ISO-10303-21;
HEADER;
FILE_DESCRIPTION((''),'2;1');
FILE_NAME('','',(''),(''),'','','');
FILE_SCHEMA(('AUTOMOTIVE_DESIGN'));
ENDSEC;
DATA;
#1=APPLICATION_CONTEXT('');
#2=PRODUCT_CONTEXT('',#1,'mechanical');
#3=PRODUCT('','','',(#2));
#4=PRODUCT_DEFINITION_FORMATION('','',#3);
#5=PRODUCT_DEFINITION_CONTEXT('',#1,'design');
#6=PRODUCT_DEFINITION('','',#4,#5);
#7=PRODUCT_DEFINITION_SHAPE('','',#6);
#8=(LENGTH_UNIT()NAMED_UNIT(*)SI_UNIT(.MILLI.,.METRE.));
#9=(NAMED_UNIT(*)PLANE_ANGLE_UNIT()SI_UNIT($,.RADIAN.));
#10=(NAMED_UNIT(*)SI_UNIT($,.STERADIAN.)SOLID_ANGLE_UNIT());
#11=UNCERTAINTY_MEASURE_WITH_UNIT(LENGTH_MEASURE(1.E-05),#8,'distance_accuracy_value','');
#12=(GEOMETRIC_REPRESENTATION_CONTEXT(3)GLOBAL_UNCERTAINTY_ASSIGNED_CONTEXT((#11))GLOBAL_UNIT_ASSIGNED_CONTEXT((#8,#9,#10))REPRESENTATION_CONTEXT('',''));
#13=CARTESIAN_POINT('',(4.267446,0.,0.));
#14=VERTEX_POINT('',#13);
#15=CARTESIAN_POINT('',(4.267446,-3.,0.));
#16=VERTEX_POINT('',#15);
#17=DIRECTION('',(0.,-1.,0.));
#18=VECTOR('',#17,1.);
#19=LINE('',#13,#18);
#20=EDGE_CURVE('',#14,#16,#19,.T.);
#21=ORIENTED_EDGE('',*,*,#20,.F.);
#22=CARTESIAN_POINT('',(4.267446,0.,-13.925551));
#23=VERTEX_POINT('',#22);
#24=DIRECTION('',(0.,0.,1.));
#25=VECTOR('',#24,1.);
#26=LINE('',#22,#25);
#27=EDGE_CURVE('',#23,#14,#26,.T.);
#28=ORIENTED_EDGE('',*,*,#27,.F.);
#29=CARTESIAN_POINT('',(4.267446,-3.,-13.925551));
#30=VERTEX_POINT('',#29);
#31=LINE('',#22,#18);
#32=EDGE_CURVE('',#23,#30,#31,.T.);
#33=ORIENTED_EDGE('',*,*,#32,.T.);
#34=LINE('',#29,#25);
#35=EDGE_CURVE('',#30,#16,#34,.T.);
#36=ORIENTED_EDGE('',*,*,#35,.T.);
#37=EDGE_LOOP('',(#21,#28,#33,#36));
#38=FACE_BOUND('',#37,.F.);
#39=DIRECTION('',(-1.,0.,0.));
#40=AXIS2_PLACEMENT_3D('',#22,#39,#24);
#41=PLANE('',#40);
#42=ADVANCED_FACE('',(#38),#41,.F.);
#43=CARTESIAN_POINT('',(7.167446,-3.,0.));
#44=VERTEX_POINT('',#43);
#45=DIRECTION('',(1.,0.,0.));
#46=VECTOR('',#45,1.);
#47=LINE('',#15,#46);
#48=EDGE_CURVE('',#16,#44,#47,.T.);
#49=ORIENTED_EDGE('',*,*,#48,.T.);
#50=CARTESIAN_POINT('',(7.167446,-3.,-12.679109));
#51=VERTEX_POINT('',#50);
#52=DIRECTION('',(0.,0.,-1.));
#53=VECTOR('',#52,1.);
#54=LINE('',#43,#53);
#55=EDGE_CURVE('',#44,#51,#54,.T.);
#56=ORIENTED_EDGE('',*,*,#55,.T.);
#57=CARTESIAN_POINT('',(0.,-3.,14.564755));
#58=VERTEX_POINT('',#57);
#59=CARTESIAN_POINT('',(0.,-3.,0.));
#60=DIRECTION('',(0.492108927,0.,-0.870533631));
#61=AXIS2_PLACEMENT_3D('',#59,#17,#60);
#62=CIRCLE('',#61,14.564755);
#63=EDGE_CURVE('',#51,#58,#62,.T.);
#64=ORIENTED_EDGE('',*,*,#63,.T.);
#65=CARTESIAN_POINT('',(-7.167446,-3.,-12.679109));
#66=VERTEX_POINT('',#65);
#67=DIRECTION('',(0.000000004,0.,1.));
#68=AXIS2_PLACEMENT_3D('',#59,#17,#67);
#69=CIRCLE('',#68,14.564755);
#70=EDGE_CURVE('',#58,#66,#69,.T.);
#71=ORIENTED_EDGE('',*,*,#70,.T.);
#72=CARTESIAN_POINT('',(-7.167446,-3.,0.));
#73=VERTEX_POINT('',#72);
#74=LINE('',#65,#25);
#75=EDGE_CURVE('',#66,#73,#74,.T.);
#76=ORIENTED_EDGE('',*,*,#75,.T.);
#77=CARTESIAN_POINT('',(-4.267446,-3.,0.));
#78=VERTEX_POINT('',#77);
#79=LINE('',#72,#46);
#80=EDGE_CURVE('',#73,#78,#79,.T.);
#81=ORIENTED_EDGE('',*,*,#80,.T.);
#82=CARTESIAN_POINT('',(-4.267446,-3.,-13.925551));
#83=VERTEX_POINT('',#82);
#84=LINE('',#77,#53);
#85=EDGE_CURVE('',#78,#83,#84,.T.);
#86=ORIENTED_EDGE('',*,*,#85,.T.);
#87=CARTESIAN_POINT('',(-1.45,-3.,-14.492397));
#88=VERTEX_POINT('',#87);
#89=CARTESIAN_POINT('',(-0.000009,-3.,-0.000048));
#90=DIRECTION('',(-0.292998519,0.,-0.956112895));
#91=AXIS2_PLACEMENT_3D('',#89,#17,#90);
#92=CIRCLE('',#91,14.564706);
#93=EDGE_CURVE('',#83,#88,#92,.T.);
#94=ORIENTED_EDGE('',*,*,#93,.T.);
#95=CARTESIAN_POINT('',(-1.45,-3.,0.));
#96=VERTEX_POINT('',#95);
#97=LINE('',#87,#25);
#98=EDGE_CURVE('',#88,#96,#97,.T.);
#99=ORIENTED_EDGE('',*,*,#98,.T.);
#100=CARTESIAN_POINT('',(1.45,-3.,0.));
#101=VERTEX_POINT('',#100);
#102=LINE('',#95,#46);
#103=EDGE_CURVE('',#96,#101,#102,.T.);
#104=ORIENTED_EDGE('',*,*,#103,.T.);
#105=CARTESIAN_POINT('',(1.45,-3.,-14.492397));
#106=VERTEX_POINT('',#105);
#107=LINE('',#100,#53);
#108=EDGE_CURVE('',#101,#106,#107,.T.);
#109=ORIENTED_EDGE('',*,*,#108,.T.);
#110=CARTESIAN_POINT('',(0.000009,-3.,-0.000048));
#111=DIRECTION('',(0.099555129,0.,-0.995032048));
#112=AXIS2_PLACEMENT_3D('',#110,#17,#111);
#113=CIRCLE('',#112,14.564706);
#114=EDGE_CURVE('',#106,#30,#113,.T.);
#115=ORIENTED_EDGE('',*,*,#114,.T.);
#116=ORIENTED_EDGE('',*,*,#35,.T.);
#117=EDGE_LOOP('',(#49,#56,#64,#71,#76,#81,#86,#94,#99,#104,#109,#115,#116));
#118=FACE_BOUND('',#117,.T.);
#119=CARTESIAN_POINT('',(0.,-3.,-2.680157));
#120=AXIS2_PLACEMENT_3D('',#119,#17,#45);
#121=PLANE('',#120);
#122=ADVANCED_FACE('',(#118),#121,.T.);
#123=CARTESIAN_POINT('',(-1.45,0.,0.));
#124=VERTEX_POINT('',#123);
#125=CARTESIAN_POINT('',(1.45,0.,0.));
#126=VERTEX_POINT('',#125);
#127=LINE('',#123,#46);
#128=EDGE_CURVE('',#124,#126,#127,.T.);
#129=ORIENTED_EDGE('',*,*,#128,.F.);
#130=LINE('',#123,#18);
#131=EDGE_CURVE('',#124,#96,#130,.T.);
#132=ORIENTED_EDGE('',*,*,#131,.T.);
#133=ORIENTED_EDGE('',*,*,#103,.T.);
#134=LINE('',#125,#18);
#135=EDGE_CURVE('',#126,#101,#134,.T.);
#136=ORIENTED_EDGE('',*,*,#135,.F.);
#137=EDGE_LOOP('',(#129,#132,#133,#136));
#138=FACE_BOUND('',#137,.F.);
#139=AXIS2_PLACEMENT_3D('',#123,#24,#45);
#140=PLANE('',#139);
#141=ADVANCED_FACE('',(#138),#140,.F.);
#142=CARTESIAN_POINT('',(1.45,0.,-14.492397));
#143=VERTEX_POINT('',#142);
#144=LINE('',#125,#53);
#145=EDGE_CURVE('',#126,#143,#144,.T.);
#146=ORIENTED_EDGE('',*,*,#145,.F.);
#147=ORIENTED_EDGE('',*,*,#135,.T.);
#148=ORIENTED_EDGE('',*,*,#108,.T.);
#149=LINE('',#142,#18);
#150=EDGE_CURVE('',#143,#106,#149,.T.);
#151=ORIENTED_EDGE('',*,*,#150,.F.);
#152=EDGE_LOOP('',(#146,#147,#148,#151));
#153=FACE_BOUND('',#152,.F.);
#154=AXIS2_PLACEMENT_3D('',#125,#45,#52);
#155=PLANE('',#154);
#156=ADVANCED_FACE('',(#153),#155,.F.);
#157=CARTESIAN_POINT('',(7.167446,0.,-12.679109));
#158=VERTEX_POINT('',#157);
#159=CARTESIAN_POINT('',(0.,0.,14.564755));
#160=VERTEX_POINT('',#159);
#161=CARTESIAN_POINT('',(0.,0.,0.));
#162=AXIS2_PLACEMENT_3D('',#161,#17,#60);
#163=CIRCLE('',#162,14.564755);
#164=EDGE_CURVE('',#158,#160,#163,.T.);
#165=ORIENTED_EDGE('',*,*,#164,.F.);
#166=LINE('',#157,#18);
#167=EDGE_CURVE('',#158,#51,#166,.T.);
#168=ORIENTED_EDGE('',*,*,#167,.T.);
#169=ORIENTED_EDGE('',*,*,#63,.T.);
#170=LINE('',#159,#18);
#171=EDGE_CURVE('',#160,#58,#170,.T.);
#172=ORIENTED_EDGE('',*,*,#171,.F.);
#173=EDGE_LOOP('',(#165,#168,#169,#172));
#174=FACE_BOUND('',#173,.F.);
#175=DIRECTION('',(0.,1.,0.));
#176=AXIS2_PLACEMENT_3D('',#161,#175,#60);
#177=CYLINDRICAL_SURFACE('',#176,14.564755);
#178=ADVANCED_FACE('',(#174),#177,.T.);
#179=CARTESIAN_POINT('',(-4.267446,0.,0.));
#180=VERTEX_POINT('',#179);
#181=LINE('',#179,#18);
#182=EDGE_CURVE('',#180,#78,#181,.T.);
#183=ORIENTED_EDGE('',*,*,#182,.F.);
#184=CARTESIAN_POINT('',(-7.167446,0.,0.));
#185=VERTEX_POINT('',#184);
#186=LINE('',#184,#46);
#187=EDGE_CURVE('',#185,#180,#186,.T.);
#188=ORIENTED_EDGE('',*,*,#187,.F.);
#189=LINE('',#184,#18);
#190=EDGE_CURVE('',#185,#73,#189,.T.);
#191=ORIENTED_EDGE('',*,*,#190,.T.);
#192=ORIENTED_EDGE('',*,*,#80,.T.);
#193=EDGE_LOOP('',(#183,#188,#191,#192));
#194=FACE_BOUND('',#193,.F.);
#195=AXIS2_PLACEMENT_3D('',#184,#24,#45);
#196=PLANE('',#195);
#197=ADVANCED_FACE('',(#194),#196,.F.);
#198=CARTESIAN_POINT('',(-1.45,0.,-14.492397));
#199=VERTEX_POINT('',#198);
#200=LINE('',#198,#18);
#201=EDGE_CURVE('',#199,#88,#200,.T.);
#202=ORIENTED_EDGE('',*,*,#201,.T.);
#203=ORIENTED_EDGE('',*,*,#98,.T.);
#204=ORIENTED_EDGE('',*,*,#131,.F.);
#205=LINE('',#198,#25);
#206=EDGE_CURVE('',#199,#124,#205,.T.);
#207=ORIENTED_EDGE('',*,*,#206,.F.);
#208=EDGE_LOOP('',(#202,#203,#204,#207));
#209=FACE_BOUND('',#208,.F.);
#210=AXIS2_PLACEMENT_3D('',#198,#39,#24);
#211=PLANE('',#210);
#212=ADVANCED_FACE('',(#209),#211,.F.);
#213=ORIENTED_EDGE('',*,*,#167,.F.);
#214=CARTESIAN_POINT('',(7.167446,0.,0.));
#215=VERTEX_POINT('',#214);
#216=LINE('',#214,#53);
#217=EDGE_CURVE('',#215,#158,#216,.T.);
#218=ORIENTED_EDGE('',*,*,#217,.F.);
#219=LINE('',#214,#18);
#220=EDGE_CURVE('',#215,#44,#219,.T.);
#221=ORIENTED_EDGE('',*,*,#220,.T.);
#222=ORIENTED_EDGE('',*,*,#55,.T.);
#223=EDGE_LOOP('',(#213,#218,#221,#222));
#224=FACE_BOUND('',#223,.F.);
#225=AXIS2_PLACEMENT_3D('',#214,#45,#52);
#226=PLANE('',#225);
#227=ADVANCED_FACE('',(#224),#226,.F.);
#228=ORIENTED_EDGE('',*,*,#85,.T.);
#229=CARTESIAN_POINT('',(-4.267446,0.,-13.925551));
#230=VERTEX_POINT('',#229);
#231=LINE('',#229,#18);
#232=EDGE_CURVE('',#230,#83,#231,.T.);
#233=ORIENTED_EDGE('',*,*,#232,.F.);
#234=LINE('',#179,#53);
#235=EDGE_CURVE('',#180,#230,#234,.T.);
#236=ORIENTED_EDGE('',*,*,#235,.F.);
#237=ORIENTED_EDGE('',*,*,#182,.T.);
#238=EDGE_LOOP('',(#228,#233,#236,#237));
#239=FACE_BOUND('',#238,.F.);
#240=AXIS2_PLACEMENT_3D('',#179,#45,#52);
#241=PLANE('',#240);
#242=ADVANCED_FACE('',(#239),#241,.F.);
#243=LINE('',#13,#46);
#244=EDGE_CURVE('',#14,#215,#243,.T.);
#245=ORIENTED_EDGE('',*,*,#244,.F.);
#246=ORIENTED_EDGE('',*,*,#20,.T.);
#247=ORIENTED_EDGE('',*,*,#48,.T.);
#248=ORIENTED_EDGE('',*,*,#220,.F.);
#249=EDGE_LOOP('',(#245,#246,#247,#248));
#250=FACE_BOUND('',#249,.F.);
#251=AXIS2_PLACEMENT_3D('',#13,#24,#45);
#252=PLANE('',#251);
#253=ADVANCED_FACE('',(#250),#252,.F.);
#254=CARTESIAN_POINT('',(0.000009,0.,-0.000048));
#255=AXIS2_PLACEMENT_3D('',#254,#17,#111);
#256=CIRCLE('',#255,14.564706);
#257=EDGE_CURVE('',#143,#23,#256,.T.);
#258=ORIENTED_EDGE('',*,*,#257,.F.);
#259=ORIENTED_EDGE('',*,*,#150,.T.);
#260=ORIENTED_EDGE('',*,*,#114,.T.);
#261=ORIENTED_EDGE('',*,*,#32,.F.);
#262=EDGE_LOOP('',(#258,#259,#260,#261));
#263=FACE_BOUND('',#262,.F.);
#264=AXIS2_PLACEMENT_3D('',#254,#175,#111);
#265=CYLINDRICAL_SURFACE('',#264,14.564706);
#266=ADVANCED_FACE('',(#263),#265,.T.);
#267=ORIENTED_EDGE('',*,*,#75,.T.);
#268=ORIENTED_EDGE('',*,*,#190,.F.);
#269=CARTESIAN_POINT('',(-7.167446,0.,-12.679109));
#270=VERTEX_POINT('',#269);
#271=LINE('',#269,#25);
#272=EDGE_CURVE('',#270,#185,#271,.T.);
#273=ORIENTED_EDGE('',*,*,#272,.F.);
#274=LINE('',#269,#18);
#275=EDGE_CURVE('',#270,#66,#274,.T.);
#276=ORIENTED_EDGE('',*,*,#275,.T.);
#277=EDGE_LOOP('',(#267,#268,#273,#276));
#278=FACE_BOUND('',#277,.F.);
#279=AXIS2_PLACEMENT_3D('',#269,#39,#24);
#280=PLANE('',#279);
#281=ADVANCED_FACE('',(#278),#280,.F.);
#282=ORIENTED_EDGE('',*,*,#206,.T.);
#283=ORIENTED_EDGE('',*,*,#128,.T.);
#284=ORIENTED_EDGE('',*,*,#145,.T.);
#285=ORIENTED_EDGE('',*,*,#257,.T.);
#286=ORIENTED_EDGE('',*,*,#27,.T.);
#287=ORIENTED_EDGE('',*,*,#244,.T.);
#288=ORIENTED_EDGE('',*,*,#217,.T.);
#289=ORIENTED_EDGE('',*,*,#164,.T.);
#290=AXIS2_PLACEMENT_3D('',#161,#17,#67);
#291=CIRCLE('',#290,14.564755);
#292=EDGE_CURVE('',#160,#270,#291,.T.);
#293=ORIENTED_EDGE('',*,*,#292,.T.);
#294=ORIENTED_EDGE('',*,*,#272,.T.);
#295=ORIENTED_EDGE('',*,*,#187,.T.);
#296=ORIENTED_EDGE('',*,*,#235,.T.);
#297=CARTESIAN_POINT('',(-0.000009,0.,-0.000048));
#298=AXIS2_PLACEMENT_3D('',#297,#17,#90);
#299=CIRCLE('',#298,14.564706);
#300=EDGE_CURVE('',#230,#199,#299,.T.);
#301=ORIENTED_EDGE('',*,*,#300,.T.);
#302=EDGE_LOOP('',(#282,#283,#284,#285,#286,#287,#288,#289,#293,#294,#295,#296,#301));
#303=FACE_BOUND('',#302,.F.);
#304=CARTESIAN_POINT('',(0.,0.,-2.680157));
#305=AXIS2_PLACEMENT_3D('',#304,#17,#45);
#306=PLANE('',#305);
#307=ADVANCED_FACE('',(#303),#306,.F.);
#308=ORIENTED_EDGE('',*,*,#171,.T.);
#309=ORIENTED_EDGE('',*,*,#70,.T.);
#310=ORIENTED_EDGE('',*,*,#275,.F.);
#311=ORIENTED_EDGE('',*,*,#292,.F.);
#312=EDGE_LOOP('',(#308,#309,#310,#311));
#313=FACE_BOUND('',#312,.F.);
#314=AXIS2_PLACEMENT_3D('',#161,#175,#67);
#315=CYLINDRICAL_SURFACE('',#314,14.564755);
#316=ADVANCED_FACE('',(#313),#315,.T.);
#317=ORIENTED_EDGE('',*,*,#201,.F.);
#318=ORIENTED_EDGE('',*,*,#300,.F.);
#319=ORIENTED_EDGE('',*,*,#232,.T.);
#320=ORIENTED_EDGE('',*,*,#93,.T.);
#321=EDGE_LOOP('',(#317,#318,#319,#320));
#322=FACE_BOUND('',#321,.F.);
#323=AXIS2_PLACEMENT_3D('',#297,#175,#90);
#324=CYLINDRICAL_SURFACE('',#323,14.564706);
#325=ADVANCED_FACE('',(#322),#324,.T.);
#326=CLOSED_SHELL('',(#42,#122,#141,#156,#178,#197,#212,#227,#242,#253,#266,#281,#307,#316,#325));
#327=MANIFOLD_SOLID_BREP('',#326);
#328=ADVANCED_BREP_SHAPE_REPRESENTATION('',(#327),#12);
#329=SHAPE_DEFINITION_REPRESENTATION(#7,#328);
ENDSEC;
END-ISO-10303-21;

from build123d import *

# Parameters (mm, degrees)
F1_DEPTH = 3


with BuildPart() as f1:
    # F0 (on Front) → F1 (new body)
    with BuildSketch(Plane.XZ):
        with BuildLine():
            ThreePointArc((7.167446, -12.679109), (14.085457, 3.70567), (0, 14.564755))
            ThreePointArc((0, 14.564755), (-14.085457, 3.70567), (-7.167446, -12.679109))
            Line((-7.167446, -12.679109), (-7.167446, 0))
            Line((-7.167446, 0), (-4.267446, 0))
            Line((-4.267446, 0), (-4.267446, -13.925551))
            ThreePointArc((-4.267446, -13.925551), (-2.872739, -14.278636), (-1.45, -14.492397))
            Line((-1.45, -14.492397), (-1.45, 0))
            Line((-1.45, 0), (0, 0))
            Line((0, 0), (1.45, 0))
            Line((1.45, 0), (1.45, -14.492397))
            ThreePointArc((1.45, -14.492397), (2.872739, -14.278636), (4.267446, -13.925551))
            Line((4.267446, -13.925551), (4.267446, 0))
            Line((4.267446, 0), (7.167446, 0))
            Line((7.167446, 0), (7.167446, -12.679109))
        make_face()
    extrude(amount=F1_DEPTH)


solid = f1.part
